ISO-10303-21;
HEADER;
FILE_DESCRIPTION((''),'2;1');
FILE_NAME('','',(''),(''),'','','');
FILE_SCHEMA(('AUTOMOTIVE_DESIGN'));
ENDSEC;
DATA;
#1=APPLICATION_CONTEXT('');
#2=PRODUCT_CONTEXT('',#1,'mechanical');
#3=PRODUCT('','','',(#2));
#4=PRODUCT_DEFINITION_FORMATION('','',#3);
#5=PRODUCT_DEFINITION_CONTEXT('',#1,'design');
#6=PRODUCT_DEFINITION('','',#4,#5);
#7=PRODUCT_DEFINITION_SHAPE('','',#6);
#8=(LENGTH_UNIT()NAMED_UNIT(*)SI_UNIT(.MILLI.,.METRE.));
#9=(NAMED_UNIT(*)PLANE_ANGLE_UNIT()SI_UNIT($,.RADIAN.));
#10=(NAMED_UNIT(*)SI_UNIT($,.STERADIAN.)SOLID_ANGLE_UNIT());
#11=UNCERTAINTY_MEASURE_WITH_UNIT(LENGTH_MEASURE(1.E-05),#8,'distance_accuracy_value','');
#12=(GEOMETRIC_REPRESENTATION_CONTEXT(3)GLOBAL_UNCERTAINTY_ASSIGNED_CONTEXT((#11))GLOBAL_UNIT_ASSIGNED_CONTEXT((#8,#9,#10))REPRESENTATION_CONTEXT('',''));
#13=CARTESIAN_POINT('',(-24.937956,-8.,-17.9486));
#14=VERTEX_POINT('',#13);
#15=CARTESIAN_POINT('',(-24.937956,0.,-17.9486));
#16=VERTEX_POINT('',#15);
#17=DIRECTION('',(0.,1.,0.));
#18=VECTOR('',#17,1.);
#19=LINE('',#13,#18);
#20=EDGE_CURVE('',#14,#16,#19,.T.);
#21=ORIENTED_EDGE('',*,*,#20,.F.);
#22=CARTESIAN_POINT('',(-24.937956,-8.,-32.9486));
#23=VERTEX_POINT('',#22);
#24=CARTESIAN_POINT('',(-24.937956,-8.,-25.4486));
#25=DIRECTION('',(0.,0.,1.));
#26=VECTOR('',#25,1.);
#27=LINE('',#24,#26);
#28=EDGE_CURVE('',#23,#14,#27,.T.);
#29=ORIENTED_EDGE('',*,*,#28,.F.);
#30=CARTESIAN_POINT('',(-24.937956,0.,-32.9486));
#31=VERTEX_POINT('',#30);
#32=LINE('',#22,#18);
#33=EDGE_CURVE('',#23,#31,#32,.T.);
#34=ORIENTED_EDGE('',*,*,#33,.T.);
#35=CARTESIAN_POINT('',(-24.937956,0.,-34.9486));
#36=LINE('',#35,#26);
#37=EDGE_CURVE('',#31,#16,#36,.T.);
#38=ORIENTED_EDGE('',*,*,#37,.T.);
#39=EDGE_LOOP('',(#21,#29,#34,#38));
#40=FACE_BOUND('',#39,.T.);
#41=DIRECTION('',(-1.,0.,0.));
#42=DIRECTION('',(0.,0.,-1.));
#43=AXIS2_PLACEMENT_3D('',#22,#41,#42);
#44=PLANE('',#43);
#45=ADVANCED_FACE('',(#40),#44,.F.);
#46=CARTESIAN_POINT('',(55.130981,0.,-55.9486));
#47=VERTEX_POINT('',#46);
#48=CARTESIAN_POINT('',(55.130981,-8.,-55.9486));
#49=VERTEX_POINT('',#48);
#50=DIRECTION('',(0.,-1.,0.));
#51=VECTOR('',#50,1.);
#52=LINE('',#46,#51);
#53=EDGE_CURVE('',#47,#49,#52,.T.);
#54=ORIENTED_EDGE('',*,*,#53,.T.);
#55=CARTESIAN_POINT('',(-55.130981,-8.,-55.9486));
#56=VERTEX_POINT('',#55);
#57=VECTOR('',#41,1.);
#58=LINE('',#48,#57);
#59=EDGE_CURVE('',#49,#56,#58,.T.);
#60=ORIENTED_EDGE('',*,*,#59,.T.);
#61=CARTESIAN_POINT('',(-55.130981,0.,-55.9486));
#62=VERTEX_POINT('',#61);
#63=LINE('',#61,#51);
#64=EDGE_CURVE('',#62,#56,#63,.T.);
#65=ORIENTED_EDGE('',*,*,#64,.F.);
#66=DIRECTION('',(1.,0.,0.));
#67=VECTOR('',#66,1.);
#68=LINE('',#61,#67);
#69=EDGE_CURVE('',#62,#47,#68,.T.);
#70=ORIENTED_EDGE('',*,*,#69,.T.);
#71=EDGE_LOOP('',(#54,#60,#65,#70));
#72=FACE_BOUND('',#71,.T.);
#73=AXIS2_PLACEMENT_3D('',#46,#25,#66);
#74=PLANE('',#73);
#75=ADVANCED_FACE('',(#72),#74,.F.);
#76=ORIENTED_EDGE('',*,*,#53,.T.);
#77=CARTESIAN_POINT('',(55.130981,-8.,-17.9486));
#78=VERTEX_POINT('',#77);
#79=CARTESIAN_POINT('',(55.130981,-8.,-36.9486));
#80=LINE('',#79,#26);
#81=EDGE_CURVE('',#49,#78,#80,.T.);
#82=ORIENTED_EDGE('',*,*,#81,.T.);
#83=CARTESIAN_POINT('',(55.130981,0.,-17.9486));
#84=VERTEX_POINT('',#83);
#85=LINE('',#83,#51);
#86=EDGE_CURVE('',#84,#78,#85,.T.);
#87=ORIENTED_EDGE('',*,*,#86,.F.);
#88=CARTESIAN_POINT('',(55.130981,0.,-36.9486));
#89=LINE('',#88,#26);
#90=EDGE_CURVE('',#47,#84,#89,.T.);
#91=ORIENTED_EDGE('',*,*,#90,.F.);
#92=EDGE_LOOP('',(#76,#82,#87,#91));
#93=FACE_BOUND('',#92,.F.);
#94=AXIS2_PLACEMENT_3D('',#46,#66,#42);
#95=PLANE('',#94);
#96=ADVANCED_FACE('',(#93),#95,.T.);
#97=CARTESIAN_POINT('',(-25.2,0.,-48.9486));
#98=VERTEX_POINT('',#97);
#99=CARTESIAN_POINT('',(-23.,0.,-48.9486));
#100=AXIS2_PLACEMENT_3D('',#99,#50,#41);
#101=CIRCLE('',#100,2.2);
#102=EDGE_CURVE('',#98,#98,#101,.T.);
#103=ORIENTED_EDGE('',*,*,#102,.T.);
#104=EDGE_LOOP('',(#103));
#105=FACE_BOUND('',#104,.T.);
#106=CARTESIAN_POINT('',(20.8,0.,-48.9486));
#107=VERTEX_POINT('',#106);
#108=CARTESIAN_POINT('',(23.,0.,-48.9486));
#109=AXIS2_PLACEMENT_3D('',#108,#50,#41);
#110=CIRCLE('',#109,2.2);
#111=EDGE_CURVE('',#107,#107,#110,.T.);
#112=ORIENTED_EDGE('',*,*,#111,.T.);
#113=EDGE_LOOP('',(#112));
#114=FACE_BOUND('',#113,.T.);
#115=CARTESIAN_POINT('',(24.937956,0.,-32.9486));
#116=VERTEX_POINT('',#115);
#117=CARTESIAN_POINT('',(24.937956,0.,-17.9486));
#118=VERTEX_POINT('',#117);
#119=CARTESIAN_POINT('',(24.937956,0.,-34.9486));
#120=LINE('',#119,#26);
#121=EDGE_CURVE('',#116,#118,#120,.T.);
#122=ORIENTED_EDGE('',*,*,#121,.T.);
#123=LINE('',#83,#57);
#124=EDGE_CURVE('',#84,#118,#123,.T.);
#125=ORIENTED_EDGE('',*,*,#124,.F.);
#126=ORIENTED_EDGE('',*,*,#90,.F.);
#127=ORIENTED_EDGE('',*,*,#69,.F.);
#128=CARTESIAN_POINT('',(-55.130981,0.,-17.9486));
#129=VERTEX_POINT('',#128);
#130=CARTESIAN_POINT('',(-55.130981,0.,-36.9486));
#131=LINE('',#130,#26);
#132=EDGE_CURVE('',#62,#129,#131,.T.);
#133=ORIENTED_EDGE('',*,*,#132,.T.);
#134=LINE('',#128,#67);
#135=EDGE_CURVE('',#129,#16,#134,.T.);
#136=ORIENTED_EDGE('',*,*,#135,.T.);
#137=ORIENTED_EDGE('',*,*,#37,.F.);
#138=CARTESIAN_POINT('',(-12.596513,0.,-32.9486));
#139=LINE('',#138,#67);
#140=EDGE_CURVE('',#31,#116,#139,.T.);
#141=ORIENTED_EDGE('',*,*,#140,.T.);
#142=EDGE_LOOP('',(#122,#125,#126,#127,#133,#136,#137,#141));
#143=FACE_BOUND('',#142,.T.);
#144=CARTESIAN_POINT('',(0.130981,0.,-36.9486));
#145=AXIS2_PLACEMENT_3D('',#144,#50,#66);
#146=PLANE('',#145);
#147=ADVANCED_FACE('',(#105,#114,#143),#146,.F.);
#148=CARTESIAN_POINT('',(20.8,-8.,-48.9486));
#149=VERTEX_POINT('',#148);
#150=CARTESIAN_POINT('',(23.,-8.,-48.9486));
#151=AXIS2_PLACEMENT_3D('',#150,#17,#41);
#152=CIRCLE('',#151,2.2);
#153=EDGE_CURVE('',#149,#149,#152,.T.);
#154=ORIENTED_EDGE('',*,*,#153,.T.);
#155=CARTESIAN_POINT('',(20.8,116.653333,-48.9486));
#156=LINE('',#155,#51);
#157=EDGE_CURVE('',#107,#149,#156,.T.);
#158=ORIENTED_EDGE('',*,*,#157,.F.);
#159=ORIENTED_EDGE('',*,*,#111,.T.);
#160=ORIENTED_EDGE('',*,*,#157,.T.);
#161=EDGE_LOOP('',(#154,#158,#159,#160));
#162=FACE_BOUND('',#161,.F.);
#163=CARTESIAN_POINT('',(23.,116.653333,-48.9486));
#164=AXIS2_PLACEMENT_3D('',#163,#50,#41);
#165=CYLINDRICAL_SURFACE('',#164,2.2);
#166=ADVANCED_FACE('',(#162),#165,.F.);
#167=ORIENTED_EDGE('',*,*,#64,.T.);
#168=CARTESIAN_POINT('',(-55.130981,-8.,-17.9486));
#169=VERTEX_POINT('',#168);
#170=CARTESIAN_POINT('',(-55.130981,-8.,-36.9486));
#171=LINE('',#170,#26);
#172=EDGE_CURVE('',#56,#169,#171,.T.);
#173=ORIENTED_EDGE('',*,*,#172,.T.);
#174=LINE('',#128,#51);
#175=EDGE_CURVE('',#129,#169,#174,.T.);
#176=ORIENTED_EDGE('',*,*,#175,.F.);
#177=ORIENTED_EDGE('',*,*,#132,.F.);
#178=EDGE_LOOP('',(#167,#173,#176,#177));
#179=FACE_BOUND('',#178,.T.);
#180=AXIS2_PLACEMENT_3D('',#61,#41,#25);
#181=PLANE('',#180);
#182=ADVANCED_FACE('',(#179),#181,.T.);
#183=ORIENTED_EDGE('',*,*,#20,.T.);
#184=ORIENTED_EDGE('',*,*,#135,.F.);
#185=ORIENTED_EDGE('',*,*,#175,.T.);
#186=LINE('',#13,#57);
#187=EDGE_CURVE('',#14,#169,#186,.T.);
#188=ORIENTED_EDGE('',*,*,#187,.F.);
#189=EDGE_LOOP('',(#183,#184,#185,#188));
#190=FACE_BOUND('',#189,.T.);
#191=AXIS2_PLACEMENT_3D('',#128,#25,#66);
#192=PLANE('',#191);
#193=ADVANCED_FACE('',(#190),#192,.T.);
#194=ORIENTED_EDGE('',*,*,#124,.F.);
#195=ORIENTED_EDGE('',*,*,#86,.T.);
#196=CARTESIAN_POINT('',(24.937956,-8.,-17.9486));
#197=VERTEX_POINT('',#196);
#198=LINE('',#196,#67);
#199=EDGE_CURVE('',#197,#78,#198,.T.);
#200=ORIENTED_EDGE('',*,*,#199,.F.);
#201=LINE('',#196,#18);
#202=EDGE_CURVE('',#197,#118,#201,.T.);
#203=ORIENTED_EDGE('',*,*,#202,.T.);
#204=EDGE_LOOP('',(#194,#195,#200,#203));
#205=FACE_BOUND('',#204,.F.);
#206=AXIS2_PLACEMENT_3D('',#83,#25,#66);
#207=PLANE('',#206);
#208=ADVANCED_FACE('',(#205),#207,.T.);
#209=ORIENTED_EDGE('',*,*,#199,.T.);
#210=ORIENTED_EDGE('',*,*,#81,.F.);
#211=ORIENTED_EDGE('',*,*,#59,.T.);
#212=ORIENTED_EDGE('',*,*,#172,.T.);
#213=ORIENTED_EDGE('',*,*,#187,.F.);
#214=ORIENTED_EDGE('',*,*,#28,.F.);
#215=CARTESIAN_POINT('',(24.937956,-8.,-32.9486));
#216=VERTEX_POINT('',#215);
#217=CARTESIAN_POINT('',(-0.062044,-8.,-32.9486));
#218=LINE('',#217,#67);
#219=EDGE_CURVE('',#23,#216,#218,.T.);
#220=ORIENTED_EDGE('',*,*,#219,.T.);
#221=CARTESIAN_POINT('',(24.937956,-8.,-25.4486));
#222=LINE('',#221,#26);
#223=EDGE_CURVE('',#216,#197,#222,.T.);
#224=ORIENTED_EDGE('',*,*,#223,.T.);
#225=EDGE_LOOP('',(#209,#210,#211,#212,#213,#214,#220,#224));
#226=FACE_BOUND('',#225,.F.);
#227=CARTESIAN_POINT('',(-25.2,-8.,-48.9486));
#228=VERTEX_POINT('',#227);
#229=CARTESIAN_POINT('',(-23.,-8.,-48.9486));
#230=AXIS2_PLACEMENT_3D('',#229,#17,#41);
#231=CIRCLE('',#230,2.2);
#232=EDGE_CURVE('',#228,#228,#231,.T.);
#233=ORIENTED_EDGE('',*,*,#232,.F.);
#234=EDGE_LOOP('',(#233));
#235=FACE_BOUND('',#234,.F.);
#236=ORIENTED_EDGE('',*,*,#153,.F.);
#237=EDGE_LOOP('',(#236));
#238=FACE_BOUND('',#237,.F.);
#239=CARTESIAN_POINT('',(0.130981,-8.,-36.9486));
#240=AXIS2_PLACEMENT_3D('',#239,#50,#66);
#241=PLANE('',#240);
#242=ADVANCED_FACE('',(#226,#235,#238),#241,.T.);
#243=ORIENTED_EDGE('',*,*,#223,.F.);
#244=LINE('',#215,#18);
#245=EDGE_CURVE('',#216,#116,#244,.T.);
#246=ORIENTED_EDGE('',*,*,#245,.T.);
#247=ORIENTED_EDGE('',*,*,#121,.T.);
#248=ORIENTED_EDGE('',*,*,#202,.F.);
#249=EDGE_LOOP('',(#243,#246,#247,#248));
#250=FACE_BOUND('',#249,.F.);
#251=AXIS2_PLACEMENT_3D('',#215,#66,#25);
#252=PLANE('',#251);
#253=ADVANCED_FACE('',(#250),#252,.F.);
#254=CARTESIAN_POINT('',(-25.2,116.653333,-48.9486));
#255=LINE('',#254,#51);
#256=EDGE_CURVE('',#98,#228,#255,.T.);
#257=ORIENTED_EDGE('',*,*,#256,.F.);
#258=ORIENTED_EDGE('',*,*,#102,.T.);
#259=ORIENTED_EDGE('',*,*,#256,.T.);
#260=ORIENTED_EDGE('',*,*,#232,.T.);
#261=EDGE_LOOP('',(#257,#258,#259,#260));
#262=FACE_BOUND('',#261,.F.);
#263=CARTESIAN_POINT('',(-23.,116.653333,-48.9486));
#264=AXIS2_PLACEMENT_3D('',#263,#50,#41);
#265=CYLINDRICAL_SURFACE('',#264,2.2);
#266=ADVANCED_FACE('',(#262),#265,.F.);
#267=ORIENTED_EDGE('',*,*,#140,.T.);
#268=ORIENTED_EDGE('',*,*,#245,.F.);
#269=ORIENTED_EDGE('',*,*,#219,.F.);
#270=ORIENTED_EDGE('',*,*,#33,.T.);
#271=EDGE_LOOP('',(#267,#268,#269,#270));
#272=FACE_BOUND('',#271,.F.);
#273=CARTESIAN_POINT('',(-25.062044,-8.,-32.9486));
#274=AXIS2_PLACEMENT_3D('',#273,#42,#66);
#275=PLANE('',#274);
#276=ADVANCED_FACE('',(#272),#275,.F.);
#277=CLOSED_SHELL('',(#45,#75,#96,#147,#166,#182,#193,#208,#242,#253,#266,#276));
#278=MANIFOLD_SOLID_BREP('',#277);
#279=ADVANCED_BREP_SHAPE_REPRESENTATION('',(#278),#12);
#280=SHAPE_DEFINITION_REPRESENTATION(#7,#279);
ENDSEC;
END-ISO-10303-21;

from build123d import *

# Parameters (mm, degrees)
F0_W     = 110
F0_H     = 38
F1_DEPTH = 8
F2_W     = 50
F2_H     = 15
F3_DEPTH = 25
F4_D     = 4.4


with BuildPart() as f1:
    # F0 (on Front) → F1 (new body)
    with BuildSketch(Plane.XZ):
        with Locations((-0.1309809089, -36.948600173)):
            Rectangle(F0_W, F0_H)
    extrude(amount=F1_DEPTH)

    # F2 (on face) → F3 (cut)
    with BuildSketch(Plane.XZ.offset(8)):
        with Locations((-0.0620441511, -25.448600173)):
            Rectangle(F2_W, F2_H)
    extrude(amount=-F3_DEPTH, mode=Mode.SUBTRACT)

    # F4 (through all)
    with Locations(Plane(origin=(0, 0, 0), x_dir=(1, 0, 0), z_dir=(0, 1, 0))):
        with Locations((-23, 48.948600173), (23, 48.948600173)):
            Hole(F4_D / 2)

    # F5: F1 across plane


with BuildPart() as f1_1:
    add(f1.part)
    add(f1.part.mirror(Plane.YZ))


solid = f1_1.part
